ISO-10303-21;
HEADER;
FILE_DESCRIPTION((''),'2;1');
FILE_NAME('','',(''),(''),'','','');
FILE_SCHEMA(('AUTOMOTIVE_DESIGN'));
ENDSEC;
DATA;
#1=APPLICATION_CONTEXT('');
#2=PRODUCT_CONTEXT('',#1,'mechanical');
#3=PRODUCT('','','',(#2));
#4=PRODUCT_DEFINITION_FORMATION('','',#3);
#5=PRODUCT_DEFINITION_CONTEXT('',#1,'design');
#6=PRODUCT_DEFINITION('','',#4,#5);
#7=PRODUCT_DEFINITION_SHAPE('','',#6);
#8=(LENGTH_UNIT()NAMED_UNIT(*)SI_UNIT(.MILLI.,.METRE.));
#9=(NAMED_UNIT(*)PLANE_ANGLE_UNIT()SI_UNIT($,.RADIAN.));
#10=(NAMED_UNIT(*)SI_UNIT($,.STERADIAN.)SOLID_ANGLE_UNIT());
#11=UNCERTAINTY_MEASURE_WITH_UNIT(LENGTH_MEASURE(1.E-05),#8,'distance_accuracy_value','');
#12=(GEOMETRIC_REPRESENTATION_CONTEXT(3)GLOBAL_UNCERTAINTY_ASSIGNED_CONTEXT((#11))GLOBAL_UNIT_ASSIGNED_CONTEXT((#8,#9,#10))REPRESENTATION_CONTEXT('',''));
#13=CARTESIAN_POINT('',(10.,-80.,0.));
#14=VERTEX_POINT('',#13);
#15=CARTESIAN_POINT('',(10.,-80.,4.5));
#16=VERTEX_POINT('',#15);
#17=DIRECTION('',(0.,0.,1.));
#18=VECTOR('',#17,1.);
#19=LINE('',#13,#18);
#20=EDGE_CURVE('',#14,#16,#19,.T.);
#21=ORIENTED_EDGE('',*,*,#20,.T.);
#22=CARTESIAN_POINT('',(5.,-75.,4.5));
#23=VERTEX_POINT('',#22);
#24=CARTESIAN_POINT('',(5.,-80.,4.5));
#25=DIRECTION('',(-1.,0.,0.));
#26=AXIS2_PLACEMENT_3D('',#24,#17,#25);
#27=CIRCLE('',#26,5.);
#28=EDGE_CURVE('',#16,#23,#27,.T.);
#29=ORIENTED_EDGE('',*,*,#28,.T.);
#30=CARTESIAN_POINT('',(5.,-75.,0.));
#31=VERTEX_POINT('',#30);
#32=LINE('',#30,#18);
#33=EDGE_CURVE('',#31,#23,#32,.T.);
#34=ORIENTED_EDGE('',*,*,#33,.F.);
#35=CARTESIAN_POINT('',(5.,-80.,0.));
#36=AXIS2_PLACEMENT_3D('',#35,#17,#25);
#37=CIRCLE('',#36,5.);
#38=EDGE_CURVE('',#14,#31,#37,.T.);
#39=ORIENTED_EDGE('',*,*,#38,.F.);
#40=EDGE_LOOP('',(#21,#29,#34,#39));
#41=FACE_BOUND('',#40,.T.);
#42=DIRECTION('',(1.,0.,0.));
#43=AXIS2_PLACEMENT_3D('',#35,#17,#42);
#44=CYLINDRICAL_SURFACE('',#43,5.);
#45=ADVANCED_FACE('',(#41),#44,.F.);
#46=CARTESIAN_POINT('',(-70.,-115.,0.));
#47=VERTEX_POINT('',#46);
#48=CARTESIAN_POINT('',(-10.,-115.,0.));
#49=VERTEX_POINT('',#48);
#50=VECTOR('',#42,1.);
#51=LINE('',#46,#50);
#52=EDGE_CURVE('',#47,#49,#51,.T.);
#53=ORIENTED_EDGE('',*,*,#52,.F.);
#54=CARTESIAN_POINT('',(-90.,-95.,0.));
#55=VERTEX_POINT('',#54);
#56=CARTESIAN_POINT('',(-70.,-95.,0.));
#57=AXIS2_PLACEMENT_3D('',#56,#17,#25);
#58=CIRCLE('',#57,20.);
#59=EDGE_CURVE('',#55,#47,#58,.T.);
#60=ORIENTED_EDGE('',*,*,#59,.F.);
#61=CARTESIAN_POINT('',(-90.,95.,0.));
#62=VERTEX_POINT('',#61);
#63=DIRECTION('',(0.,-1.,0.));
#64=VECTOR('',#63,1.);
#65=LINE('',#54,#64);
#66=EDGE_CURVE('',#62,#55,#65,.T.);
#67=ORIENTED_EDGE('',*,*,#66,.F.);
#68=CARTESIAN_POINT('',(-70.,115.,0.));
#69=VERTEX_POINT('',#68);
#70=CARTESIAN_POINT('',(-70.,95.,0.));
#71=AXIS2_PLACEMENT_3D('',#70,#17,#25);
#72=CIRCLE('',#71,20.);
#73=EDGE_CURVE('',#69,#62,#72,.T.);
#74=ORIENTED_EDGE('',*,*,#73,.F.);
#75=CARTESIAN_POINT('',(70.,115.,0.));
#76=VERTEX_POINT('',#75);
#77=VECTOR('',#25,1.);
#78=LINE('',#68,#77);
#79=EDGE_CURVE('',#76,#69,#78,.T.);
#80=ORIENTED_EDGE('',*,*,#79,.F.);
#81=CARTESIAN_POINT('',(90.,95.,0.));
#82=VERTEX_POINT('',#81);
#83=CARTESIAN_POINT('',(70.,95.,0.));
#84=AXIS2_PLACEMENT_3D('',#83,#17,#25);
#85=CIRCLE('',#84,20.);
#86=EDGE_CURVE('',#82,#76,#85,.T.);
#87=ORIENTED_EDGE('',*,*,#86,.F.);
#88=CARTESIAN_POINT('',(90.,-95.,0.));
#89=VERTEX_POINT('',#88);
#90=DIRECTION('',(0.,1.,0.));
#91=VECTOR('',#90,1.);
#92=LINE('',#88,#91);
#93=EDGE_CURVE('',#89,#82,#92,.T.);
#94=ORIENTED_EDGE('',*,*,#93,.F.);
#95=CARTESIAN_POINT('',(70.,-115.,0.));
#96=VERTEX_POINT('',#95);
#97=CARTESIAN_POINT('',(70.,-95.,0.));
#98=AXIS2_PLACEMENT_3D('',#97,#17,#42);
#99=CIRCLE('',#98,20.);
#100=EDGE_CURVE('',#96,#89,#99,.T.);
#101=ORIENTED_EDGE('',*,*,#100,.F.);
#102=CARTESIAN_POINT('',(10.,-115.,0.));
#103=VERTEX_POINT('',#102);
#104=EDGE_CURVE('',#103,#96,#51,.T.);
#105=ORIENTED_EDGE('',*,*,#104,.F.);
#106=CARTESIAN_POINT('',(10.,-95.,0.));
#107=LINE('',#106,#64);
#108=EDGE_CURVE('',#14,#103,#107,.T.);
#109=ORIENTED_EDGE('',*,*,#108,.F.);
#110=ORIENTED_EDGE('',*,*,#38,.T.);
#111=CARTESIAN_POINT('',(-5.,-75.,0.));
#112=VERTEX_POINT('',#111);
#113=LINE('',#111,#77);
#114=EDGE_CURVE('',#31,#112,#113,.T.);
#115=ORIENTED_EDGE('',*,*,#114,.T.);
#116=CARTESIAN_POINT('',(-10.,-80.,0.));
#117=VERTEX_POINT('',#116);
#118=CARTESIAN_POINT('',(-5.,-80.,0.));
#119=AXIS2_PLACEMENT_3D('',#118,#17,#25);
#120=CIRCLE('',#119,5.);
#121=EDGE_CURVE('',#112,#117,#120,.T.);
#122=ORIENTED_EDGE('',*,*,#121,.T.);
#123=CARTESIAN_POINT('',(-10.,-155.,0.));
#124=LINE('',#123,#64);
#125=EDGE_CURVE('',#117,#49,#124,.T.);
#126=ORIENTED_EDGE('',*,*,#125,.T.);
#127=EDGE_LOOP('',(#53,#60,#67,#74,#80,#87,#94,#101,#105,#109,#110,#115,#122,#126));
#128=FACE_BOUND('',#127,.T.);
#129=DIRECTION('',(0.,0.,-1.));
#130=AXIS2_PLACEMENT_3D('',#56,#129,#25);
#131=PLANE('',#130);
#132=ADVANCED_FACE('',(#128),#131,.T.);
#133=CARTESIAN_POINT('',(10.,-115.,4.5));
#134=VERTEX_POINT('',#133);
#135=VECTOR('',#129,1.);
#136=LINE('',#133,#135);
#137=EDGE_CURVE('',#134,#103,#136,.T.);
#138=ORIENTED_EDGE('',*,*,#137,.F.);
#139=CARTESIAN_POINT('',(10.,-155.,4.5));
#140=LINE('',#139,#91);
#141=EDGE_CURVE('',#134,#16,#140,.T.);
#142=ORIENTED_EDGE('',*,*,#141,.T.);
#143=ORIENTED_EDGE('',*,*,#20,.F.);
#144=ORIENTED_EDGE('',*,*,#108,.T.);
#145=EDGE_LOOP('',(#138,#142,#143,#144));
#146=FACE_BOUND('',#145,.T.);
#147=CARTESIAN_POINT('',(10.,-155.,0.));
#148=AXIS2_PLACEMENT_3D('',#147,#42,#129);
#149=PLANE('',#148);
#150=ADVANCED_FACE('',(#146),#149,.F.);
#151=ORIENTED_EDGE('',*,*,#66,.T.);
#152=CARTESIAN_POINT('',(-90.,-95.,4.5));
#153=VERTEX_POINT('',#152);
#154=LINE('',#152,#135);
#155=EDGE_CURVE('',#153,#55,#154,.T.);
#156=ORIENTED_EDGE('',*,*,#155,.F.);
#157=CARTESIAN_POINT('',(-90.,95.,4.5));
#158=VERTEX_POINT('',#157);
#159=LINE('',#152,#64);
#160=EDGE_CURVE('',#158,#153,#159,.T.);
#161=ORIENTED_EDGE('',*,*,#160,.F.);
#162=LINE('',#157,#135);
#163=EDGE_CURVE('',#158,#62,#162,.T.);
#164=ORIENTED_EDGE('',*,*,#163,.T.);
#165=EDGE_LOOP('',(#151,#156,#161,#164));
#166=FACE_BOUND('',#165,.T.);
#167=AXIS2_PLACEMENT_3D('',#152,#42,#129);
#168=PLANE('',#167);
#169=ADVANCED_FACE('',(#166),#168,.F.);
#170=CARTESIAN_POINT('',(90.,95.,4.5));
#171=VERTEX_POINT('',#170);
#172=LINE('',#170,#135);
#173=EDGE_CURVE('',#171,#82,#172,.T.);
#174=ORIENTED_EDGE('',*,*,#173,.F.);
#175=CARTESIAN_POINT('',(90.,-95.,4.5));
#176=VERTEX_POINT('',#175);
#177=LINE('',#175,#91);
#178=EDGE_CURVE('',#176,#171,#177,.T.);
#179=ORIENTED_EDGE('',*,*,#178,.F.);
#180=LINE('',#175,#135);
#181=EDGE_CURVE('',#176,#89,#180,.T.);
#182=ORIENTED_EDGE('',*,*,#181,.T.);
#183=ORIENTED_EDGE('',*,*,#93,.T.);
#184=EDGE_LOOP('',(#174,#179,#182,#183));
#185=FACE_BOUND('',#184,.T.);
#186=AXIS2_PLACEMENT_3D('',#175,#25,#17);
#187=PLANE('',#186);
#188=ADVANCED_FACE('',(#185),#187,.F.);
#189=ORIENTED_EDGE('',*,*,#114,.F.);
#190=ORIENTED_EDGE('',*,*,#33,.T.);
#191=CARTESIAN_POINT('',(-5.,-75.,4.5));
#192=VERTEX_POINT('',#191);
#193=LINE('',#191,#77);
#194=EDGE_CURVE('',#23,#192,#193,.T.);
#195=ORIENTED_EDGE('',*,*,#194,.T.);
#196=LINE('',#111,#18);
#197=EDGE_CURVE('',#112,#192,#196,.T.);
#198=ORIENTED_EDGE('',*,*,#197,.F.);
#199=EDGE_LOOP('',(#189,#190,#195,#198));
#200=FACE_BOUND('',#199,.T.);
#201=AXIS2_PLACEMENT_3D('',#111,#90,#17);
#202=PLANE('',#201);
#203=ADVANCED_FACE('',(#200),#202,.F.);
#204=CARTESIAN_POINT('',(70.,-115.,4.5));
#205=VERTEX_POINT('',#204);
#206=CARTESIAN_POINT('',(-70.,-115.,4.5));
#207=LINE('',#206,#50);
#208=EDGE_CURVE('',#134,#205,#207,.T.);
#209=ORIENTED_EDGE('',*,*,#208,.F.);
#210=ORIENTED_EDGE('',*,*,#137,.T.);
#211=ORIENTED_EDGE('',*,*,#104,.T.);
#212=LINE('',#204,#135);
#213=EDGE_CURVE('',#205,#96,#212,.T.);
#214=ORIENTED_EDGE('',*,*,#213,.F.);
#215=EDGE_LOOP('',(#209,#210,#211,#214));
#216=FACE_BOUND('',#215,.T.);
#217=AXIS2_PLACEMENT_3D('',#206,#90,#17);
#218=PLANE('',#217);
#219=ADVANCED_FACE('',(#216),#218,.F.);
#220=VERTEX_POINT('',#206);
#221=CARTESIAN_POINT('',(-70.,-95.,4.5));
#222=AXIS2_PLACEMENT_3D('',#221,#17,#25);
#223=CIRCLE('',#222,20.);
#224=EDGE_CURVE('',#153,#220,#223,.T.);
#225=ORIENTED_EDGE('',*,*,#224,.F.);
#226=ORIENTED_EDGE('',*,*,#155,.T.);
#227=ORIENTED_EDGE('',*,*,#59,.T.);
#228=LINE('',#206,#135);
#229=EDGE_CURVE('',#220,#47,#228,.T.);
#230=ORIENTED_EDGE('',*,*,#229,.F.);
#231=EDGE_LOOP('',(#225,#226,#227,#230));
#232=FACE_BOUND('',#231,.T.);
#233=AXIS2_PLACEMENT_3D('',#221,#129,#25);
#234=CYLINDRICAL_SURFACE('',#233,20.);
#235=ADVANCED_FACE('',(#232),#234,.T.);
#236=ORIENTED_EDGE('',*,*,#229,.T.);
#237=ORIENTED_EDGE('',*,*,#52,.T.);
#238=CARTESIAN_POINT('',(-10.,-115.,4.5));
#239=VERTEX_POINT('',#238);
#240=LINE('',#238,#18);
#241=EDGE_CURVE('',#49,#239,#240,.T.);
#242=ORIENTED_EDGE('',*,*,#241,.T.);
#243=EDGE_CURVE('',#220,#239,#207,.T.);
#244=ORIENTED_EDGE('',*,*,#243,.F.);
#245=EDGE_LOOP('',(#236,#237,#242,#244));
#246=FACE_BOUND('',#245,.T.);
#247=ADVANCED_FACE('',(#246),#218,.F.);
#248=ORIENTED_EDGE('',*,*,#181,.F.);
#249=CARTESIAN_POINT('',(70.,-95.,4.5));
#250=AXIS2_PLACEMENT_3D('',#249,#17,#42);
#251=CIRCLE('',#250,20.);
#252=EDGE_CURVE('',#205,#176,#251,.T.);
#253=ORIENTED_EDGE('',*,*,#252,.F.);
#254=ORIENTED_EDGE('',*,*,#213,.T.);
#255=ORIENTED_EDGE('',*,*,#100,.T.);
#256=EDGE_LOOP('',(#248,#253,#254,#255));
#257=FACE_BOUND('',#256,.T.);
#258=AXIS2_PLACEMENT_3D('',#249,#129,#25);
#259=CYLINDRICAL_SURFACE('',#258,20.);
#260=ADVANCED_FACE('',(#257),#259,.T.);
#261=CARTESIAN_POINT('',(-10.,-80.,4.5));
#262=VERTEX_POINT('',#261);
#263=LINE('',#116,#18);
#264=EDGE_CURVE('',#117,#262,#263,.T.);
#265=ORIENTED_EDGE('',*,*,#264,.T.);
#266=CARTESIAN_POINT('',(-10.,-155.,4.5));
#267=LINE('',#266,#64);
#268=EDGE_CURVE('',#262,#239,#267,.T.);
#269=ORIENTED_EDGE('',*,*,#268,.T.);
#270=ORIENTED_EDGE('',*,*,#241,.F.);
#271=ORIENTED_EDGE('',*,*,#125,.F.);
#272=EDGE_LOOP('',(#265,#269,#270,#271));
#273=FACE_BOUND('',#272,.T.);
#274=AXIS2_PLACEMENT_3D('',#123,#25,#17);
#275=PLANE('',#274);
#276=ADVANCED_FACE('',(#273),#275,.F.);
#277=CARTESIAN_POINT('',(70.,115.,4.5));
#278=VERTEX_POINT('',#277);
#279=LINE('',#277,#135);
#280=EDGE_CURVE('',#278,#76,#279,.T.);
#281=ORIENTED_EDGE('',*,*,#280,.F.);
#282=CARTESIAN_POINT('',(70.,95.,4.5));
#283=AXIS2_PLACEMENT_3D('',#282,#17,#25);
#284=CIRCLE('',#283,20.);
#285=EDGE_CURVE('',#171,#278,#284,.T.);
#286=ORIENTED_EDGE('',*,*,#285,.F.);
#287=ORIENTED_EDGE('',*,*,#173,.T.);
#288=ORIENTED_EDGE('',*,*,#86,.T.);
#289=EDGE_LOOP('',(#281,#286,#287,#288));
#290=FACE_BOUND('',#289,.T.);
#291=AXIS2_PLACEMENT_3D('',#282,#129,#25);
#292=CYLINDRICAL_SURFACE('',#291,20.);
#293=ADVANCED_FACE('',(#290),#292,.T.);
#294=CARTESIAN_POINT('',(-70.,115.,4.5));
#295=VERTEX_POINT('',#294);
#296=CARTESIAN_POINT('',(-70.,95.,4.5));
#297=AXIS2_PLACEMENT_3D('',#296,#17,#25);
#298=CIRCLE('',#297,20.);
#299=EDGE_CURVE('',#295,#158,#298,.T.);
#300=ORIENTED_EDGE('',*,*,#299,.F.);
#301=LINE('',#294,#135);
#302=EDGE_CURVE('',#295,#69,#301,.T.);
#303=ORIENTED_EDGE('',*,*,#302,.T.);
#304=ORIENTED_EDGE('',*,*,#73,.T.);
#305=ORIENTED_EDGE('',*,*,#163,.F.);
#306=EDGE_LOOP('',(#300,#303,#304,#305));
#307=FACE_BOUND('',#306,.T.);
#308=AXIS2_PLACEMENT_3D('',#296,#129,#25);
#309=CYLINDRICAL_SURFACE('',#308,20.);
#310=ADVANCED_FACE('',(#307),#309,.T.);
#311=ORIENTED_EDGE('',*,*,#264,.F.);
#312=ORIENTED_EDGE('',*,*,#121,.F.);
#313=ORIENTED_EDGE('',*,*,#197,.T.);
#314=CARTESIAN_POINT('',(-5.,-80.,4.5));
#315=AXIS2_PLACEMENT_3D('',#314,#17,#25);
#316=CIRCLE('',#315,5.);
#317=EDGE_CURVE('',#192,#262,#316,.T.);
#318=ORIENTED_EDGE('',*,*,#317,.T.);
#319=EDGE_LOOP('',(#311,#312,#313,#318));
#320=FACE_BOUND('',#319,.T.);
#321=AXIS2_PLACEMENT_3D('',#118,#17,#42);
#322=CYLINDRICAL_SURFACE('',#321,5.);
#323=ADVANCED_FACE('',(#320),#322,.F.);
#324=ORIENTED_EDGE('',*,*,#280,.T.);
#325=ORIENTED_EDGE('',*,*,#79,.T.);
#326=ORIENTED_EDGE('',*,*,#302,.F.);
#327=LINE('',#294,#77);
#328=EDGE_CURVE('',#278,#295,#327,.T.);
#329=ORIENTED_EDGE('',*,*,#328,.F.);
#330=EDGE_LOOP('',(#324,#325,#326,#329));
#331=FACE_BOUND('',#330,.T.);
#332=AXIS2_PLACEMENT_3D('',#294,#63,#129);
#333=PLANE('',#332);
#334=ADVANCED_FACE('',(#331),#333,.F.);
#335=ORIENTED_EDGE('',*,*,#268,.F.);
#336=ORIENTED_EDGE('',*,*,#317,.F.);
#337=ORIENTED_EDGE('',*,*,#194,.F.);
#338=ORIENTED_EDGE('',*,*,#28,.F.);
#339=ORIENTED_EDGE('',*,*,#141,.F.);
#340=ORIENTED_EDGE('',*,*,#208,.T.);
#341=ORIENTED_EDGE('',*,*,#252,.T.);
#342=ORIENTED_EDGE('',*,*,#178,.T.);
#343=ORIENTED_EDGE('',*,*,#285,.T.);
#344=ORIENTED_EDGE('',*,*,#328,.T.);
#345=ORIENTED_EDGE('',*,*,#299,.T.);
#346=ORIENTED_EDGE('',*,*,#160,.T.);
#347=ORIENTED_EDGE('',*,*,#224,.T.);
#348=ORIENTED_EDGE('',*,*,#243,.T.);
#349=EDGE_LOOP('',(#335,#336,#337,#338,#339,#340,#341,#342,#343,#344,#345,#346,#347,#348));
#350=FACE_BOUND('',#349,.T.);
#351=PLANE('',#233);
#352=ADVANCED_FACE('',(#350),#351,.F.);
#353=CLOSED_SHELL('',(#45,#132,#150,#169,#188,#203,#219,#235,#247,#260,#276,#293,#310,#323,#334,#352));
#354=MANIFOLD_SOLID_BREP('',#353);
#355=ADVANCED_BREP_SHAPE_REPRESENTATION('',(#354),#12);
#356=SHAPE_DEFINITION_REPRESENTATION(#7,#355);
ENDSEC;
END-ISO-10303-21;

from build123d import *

# Parameters (mm, degrees)
EXTRUDE_1_DEPTH     = 4.5
CUT_EXTRUDE_1_DEPTH = 4.5


with BuildPart() as part:
    # 草图1 → 凸台-拉伸1 (new body)
    with BuildSketch(Plane.XY):
        with BuildLine():
            Line((-70, -115), (70, -115))
            ThreePointArc((70, -115), (84.142135624, -109.142135624), (90, -95))
            Line((90, -95), (90, 95))
            ThreePointArc((90, 95), (84.142135624, 109.142135624), (70, 115))
            Line((70, 115), (-70, 115))
            ThreePointArc((-70, 115), (-84.142135624, 109.142135624), (-90, 95))
            Line((-90, 95), (-90, -95))
            ThreePointArc((-90, -95), (-84.142135624, -109.142135624), (-70, -115))
        make_face()
    extrude(amount=EXTRUDE_1_DEPTH)

    # 草图2 → 切除-拉伸1 (cut)
    with BuildSketch(Plane.XY.offset(4.5)):
        with BuildLine():
            Line((-10, -155), (10, -155))
            Line((10, -155), (10, -80))
            ThreePointArc((10, -80), (8.535533906, -76.464466094), (5, -75))
            Line((5, -75), (-5, -75))
            ThreePointArc((-5, -75), (-8.535533906, -76.464466094), (-10, -80))
            Line((-10, -80), (-10, -155))
        make_face()
    extrude(amount=-CUT_EXTRUDE_1_DEPTH, mode=Mode.SUBTRACT)


solid = part.part
